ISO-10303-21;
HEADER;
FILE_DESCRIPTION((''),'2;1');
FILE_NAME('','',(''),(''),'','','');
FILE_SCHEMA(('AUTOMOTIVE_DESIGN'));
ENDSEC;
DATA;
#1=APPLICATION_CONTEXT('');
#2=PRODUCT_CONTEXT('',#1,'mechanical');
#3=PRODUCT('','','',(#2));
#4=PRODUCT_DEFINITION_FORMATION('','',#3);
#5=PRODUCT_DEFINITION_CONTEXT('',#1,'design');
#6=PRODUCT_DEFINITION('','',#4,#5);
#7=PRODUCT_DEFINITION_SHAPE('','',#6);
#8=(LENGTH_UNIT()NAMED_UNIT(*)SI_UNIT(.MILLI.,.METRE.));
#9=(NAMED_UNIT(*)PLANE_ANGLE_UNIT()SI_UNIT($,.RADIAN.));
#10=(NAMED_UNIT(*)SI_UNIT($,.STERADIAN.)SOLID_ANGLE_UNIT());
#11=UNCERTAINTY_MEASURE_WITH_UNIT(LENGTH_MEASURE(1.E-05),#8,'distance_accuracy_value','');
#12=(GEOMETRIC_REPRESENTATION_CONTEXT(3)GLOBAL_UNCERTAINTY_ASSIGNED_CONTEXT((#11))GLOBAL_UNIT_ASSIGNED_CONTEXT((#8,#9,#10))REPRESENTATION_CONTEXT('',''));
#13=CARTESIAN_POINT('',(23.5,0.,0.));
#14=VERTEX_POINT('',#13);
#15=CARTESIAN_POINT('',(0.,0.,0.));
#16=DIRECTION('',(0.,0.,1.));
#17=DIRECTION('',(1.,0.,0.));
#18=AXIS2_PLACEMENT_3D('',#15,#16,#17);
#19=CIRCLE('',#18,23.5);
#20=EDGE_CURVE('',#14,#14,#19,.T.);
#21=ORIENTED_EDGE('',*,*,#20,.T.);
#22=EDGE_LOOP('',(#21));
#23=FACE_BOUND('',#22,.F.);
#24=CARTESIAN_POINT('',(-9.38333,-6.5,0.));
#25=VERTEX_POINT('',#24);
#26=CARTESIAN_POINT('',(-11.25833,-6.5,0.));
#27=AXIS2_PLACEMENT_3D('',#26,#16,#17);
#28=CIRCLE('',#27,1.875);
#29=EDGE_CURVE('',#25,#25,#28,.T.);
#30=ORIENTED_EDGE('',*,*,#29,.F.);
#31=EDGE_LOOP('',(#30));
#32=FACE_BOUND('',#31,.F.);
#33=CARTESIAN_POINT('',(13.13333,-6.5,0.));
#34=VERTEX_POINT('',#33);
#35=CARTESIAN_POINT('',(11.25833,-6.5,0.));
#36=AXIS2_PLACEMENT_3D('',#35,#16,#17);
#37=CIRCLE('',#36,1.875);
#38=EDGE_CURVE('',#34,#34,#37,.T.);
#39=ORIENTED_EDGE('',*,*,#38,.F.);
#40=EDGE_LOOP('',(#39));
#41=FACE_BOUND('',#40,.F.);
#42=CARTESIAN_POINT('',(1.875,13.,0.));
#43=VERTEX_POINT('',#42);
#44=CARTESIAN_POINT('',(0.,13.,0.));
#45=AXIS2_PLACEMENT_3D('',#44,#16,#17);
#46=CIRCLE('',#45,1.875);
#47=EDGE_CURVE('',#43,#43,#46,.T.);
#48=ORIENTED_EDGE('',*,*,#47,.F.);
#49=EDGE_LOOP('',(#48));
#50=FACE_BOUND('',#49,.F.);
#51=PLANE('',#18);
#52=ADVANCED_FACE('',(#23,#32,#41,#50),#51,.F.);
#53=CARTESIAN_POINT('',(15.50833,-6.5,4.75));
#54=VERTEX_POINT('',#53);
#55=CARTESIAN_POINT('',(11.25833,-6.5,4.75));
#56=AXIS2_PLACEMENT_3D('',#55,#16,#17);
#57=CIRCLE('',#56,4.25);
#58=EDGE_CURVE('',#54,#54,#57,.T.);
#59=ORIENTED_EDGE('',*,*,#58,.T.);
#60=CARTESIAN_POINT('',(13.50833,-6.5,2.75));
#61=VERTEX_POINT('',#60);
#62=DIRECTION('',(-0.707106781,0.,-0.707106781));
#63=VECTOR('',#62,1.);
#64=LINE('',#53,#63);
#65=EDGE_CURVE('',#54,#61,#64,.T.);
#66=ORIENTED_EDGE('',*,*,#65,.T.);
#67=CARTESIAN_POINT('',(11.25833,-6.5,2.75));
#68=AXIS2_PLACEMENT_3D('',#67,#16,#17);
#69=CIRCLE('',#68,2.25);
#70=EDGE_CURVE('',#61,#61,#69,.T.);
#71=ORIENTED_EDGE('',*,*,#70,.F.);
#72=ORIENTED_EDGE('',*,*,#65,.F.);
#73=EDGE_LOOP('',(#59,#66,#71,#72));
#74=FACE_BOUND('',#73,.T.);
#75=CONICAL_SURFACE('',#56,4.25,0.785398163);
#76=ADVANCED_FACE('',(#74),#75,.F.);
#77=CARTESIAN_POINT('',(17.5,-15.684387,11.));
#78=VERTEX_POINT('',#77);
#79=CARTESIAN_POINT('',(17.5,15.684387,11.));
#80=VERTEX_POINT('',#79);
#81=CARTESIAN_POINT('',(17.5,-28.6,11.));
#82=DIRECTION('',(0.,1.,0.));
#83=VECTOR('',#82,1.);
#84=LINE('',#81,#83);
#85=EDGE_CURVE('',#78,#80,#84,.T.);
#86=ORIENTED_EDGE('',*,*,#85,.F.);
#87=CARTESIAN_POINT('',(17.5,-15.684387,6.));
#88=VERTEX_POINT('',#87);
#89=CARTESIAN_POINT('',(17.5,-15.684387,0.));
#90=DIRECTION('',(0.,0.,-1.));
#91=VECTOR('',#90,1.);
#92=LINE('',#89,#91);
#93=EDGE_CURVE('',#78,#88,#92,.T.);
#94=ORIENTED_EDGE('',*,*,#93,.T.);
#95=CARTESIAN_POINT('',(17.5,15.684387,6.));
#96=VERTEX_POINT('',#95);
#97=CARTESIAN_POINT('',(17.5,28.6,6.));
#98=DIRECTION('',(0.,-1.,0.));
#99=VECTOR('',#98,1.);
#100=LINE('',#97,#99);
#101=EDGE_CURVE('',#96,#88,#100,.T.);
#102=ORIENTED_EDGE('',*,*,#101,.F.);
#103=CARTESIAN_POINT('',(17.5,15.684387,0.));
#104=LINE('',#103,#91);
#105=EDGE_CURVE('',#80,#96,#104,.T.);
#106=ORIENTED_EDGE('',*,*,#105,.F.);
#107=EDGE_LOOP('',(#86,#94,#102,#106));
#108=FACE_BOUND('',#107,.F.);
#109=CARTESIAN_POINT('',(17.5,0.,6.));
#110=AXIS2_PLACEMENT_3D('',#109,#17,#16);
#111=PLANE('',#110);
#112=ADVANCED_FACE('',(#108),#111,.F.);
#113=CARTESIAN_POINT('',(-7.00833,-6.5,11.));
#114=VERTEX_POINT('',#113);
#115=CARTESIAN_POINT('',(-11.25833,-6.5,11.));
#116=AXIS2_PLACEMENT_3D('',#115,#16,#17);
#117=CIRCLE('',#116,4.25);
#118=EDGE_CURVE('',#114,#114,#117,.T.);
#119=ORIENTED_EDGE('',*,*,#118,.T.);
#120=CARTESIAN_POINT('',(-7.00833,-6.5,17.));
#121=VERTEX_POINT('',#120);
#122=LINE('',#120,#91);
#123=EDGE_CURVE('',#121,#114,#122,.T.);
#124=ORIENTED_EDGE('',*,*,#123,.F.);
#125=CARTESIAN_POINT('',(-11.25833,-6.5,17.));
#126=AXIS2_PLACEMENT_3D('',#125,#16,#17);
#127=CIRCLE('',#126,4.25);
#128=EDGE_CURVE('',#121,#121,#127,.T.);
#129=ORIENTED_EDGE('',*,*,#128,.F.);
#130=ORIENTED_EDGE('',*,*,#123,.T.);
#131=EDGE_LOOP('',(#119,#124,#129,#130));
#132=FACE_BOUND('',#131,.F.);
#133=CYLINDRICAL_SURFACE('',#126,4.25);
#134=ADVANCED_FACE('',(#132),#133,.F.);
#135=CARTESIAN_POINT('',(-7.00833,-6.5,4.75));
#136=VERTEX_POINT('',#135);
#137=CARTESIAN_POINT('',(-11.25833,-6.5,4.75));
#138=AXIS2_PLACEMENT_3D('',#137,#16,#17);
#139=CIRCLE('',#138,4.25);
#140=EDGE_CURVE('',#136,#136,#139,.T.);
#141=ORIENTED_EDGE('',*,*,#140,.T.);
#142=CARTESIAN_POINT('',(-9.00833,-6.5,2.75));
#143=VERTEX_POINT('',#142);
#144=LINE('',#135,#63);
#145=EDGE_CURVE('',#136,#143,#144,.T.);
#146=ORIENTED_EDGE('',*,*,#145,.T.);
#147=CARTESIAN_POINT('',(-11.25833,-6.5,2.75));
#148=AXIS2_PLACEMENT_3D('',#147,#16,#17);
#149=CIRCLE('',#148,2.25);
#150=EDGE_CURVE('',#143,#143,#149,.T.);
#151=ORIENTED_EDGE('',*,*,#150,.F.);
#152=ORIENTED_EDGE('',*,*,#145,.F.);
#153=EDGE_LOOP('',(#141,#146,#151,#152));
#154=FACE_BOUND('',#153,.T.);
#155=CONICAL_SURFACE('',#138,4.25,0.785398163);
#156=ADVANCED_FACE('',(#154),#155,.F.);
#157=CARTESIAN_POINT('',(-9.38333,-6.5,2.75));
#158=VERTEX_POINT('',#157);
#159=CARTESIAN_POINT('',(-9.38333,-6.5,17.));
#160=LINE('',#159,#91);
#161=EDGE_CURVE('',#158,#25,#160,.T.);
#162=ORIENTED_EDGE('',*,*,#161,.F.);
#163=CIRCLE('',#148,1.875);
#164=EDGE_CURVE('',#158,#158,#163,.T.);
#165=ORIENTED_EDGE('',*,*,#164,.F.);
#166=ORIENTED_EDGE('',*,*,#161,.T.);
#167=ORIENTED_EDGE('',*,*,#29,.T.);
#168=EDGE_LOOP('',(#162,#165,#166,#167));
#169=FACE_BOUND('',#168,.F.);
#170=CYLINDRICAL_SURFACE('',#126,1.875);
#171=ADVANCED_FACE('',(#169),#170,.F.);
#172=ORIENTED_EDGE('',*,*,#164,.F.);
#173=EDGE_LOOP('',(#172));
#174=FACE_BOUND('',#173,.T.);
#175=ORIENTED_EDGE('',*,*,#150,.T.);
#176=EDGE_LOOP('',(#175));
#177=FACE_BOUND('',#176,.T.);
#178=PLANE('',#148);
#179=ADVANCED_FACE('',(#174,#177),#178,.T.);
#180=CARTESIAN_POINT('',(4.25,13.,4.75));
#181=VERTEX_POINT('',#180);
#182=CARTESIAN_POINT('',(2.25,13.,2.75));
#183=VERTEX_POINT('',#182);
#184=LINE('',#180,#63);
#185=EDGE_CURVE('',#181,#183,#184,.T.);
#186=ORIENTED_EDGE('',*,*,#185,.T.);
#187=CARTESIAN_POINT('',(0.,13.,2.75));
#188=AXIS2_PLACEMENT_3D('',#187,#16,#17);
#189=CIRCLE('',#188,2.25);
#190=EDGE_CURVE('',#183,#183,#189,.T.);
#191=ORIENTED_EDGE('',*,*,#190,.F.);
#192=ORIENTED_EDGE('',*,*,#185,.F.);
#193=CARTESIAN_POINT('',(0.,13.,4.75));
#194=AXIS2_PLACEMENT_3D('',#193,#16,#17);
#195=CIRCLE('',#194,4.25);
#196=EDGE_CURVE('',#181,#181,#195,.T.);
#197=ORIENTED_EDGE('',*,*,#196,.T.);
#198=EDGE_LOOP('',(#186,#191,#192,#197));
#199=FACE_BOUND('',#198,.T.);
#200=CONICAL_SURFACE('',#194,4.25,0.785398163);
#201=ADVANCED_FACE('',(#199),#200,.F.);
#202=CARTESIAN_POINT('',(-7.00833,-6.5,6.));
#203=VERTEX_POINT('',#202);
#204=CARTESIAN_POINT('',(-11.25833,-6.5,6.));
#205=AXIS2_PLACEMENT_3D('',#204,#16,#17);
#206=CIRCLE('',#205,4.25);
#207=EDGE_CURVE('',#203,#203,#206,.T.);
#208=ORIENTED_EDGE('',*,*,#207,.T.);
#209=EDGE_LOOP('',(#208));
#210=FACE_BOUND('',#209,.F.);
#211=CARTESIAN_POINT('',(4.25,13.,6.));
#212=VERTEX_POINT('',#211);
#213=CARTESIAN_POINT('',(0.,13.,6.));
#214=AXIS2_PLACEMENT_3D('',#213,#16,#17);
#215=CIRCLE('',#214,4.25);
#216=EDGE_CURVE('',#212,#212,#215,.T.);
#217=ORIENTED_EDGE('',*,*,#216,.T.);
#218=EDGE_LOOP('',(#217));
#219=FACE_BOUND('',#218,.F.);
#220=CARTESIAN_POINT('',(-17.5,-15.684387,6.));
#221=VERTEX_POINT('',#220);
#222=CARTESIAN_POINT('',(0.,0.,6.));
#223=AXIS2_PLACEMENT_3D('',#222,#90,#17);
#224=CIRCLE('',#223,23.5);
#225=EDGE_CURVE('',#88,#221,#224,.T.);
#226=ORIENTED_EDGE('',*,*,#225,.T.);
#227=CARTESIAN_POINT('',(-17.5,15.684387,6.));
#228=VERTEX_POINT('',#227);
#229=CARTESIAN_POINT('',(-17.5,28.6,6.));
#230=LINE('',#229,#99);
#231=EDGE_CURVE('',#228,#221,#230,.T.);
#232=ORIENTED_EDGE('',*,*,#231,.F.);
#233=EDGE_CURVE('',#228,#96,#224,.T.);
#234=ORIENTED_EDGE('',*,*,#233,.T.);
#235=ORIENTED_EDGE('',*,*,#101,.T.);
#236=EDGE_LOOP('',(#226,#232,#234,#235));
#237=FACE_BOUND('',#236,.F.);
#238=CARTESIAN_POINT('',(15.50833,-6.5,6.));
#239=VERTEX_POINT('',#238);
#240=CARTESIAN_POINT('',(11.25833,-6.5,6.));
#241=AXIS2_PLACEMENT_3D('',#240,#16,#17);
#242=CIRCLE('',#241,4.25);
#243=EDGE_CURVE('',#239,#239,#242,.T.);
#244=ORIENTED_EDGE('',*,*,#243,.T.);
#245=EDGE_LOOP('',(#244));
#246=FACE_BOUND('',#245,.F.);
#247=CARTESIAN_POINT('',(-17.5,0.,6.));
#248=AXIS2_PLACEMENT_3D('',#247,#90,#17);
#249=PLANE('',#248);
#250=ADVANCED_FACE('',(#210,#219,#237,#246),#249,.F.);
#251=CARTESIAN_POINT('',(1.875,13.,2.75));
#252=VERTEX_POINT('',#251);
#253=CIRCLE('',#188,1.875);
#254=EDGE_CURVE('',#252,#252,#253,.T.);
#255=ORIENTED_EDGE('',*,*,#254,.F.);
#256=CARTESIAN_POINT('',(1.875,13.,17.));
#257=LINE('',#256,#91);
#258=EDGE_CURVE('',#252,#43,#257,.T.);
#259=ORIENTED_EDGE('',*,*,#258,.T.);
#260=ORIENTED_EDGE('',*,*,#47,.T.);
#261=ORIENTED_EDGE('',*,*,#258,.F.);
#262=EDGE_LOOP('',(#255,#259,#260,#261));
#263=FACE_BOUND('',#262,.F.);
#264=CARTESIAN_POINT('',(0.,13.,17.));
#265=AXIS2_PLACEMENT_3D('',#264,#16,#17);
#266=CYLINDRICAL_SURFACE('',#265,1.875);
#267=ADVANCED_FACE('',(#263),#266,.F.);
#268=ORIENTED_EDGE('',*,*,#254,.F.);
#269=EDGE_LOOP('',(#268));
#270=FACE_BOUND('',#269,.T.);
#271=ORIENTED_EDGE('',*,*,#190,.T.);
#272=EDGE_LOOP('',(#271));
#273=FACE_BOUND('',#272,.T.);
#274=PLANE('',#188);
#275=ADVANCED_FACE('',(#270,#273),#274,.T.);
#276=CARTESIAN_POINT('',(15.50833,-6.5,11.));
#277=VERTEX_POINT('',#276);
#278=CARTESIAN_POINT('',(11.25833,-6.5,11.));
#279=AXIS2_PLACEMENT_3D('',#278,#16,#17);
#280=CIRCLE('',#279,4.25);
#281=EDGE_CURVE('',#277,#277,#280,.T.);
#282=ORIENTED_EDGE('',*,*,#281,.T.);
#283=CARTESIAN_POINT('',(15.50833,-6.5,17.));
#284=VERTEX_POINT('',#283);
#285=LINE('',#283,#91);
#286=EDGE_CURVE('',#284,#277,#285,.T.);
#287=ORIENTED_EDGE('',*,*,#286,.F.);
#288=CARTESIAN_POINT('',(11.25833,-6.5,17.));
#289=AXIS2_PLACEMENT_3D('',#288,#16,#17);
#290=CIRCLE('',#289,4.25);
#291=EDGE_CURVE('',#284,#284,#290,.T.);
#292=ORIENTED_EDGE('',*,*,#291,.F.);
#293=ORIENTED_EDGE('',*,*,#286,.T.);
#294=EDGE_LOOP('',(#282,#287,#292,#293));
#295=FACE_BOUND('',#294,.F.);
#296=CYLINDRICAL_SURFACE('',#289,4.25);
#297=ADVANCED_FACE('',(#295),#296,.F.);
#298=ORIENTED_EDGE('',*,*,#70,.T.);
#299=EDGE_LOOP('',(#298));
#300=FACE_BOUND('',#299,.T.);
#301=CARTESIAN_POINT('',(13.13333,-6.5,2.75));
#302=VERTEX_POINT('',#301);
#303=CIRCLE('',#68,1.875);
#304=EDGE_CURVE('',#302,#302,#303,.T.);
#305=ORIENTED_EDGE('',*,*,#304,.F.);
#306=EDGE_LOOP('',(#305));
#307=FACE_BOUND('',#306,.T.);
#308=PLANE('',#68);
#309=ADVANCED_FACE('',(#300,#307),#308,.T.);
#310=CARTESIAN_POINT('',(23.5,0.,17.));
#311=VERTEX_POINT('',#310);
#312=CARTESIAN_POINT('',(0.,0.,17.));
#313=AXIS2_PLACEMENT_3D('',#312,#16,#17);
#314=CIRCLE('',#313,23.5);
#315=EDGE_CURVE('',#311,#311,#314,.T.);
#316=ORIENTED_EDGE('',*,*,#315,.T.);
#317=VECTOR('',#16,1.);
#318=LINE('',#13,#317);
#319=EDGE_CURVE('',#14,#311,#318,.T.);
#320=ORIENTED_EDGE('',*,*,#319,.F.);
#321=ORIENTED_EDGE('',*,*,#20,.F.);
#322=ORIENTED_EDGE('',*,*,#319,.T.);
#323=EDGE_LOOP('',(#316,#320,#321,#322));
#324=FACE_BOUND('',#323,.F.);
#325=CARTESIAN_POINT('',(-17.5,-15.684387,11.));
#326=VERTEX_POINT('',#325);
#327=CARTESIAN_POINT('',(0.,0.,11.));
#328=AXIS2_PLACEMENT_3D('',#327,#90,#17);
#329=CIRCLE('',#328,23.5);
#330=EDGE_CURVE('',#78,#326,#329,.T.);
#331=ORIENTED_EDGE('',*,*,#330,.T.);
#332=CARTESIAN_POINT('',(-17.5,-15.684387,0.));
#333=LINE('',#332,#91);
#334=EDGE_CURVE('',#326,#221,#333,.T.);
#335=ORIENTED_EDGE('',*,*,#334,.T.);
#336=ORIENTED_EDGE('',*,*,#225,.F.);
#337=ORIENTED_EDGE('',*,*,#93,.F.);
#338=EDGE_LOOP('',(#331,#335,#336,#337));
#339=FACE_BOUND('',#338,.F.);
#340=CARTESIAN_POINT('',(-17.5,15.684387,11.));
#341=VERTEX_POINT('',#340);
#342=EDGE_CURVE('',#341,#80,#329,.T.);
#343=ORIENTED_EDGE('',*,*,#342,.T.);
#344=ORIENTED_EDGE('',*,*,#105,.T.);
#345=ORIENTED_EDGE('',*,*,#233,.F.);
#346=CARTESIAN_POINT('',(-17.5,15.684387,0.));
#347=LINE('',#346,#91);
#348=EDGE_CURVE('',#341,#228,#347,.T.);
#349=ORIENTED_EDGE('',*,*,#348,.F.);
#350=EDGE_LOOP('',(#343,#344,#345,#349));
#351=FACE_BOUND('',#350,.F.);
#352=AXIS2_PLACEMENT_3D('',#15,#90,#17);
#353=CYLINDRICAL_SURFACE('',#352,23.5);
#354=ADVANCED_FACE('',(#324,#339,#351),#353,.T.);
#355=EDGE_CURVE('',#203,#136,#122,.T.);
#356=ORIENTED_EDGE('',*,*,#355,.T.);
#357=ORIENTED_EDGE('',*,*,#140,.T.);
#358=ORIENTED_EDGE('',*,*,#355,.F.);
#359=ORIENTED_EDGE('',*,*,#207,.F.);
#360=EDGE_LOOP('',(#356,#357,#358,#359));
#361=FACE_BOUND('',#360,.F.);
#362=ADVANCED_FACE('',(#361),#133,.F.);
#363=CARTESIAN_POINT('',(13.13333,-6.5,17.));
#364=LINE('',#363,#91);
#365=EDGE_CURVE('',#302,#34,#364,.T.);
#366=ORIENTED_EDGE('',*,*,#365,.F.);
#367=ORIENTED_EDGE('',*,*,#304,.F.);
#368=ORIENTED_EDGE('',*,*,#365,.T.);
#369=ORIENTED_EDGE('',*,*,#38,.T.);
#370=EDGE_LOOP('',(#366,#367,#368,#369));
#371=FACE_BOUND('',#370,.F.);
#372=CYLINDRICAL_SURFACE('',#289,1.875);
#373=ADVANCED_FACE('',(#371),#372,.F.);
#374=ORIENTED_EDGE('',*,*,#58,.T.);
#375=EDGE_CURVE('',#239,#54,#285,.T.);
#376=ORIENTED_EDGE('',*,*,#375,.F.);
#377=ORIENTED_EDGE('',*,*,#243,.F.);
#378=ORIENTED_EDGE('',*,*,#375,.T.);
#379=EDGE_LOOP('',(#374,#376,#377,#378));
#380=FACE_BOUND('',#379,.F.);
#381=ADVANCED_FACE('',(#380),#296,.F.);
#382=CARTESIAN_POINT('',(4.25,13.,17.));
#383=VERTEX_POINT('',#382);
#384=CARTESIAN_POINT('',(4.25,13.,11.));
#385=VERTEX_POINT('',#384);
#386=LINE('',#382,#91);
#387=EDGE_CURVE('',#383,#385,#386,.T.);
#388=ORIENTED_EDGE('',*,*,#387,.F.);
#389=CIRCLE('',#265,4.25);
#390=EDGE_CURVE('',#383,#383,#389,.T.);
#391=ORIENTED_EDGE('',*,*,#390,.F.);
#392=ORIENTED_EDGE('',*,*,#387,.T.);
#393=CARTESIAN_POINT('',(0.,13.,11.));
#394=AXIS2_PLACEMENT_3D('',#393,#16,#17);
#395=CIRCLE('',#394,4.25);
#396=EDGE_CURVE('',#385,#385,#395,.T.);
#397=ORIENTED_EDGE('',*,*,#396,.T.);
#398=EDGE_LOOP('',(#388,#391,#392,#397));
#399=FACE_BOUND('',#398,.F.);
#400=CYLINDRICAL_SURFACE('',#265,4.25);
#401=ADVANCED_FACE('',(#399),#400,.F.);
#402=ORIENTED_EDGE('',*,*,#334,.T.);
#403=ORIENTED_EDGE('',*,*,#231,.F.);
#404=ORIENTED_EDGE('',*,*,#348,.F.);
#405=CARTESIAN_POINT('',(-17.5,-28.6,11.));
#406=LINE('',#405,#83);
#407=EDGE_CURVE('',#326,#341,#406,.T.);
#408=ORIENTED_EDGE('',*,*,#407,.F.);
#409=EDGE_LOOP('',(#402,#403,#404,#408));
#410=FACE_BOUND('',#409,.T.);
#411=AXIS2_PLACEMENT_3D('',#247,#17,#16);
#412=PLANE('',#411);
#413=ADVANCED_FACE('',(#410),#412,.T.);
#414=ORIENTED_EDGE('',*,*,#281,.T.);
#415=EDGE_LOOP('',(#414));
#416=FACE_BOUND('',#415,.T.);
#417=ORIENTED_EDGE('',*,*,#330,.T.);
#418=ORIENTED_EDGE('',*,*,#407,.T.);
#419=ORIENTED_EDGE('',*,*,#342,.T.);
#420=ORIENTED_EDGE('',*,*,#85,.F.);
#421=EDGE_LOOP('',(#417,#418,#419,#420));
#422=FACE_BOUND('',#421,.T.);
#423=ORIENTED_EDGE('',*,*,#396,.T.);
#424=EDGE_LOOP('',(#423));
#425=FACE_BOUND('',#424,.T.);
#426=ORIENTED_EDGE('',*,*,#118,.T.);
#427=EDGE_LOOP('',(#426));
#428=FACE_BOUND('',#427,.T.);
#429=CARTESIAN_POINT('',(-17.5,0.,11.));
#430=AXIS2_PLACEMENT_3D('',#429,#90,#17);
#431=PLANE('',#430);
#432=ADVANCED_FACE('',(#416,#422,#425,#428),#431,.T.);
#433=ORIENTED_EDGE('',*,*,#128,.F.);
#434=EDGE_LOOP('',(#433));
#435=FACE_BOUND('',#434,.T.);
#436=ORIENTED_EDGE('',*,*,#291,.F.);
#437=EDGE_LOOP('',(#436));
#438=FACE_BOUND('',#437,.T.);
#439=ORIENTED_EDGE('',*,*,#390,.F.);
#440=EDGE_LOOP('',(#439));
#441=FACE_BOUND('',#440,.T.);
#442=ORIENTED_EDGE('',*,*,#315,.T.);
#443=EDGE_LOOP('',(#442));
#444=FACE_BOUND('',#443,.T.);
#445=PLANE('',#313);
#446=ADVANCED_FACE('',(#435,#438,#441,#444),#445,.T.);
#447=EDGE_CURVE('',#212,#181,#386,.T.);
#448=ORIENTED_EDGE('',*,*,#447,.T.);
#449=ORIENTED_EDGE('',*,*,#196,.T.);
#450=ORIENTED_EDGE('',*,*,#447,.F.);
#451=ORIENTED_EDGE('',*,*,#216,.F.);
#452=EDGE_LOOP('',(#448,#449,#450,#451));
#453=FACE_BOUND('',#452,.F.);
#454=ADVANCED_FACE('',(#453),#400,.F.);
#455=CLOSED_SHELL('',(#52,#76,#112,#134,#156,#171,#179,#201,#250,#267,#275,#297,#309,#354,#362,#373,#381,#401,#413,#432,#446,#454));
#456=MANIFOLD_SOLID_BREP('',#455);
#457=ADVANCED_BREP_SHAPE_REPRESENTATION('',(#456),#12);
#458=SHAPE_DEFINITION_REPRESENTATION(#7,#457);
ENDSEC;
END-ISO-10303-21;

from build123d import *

# Parameters (mm, degrees)
F0_R     = 23.5
F1_DEPTH = 17
F2_W     = 35
F2_H     = 5
F3_DEPTH = 28.6
F4_R     = 1.875
F5_DEPTH = 17.001
F6_R     = 4.25
F7_DEPTH = 14.25
F8_SIZE  = 2


with BuildPart() as f1:
    # F0 (on Top) → F1 (new body)
    with BuildSketch(Plane.XY):
        Circle(F0_R)
    extrude(amount=F1_DEPTH)

    # F2 (on Front) → F3 (cut, symmetric)
    with BuildSketch(Plane.XZ):
        with Locations((0, 8.5)):
            Rectangle(F2_W, F2_H)
    extrude(amount=F3_DEPTH, both=True, mode=Mode.SUBTRACT)

    # F4 (on face) → F5 (cut, through all)
    with BuildSketch(Plane.XY.offset(17)):
        with Locations((0, 13)):
            Circle(F4_R)
        with Locations((-11.25833, -6.5)):
            Circle(F4_R)
        with Locations((11.25833, -6.5)):
            Circle(F4_R)
    extrude(amount=-F5_DEPTH, mode=Mode.SUBTRACT)

    # F6 (on face) → F7 (cut)
    with BuildSketch(Plane.XY.offset(17)):
        with Locations((0, 13)):
            Circle(F6_R)
        with Locations((-11.25833, -6.5)):
            Circle(F6_R)
        with Locations((11.25833, -6.5)):
            Circle(F6_R)
    extrude(amount=-F7_DEPTH, mode=Mode.SUBTRACT)

    # F8
    f8_edges = [f1.edges().sort_by_distance(p)[0] for p in [
        (-15.50833, -6.5, 2.75),
        (7.00833, -6.5, 2.75),
        (-4.25, 13, 2.75),
    ]]
    chamfer(f8_edges, length=F8_SIZE)


solid = f1.part
